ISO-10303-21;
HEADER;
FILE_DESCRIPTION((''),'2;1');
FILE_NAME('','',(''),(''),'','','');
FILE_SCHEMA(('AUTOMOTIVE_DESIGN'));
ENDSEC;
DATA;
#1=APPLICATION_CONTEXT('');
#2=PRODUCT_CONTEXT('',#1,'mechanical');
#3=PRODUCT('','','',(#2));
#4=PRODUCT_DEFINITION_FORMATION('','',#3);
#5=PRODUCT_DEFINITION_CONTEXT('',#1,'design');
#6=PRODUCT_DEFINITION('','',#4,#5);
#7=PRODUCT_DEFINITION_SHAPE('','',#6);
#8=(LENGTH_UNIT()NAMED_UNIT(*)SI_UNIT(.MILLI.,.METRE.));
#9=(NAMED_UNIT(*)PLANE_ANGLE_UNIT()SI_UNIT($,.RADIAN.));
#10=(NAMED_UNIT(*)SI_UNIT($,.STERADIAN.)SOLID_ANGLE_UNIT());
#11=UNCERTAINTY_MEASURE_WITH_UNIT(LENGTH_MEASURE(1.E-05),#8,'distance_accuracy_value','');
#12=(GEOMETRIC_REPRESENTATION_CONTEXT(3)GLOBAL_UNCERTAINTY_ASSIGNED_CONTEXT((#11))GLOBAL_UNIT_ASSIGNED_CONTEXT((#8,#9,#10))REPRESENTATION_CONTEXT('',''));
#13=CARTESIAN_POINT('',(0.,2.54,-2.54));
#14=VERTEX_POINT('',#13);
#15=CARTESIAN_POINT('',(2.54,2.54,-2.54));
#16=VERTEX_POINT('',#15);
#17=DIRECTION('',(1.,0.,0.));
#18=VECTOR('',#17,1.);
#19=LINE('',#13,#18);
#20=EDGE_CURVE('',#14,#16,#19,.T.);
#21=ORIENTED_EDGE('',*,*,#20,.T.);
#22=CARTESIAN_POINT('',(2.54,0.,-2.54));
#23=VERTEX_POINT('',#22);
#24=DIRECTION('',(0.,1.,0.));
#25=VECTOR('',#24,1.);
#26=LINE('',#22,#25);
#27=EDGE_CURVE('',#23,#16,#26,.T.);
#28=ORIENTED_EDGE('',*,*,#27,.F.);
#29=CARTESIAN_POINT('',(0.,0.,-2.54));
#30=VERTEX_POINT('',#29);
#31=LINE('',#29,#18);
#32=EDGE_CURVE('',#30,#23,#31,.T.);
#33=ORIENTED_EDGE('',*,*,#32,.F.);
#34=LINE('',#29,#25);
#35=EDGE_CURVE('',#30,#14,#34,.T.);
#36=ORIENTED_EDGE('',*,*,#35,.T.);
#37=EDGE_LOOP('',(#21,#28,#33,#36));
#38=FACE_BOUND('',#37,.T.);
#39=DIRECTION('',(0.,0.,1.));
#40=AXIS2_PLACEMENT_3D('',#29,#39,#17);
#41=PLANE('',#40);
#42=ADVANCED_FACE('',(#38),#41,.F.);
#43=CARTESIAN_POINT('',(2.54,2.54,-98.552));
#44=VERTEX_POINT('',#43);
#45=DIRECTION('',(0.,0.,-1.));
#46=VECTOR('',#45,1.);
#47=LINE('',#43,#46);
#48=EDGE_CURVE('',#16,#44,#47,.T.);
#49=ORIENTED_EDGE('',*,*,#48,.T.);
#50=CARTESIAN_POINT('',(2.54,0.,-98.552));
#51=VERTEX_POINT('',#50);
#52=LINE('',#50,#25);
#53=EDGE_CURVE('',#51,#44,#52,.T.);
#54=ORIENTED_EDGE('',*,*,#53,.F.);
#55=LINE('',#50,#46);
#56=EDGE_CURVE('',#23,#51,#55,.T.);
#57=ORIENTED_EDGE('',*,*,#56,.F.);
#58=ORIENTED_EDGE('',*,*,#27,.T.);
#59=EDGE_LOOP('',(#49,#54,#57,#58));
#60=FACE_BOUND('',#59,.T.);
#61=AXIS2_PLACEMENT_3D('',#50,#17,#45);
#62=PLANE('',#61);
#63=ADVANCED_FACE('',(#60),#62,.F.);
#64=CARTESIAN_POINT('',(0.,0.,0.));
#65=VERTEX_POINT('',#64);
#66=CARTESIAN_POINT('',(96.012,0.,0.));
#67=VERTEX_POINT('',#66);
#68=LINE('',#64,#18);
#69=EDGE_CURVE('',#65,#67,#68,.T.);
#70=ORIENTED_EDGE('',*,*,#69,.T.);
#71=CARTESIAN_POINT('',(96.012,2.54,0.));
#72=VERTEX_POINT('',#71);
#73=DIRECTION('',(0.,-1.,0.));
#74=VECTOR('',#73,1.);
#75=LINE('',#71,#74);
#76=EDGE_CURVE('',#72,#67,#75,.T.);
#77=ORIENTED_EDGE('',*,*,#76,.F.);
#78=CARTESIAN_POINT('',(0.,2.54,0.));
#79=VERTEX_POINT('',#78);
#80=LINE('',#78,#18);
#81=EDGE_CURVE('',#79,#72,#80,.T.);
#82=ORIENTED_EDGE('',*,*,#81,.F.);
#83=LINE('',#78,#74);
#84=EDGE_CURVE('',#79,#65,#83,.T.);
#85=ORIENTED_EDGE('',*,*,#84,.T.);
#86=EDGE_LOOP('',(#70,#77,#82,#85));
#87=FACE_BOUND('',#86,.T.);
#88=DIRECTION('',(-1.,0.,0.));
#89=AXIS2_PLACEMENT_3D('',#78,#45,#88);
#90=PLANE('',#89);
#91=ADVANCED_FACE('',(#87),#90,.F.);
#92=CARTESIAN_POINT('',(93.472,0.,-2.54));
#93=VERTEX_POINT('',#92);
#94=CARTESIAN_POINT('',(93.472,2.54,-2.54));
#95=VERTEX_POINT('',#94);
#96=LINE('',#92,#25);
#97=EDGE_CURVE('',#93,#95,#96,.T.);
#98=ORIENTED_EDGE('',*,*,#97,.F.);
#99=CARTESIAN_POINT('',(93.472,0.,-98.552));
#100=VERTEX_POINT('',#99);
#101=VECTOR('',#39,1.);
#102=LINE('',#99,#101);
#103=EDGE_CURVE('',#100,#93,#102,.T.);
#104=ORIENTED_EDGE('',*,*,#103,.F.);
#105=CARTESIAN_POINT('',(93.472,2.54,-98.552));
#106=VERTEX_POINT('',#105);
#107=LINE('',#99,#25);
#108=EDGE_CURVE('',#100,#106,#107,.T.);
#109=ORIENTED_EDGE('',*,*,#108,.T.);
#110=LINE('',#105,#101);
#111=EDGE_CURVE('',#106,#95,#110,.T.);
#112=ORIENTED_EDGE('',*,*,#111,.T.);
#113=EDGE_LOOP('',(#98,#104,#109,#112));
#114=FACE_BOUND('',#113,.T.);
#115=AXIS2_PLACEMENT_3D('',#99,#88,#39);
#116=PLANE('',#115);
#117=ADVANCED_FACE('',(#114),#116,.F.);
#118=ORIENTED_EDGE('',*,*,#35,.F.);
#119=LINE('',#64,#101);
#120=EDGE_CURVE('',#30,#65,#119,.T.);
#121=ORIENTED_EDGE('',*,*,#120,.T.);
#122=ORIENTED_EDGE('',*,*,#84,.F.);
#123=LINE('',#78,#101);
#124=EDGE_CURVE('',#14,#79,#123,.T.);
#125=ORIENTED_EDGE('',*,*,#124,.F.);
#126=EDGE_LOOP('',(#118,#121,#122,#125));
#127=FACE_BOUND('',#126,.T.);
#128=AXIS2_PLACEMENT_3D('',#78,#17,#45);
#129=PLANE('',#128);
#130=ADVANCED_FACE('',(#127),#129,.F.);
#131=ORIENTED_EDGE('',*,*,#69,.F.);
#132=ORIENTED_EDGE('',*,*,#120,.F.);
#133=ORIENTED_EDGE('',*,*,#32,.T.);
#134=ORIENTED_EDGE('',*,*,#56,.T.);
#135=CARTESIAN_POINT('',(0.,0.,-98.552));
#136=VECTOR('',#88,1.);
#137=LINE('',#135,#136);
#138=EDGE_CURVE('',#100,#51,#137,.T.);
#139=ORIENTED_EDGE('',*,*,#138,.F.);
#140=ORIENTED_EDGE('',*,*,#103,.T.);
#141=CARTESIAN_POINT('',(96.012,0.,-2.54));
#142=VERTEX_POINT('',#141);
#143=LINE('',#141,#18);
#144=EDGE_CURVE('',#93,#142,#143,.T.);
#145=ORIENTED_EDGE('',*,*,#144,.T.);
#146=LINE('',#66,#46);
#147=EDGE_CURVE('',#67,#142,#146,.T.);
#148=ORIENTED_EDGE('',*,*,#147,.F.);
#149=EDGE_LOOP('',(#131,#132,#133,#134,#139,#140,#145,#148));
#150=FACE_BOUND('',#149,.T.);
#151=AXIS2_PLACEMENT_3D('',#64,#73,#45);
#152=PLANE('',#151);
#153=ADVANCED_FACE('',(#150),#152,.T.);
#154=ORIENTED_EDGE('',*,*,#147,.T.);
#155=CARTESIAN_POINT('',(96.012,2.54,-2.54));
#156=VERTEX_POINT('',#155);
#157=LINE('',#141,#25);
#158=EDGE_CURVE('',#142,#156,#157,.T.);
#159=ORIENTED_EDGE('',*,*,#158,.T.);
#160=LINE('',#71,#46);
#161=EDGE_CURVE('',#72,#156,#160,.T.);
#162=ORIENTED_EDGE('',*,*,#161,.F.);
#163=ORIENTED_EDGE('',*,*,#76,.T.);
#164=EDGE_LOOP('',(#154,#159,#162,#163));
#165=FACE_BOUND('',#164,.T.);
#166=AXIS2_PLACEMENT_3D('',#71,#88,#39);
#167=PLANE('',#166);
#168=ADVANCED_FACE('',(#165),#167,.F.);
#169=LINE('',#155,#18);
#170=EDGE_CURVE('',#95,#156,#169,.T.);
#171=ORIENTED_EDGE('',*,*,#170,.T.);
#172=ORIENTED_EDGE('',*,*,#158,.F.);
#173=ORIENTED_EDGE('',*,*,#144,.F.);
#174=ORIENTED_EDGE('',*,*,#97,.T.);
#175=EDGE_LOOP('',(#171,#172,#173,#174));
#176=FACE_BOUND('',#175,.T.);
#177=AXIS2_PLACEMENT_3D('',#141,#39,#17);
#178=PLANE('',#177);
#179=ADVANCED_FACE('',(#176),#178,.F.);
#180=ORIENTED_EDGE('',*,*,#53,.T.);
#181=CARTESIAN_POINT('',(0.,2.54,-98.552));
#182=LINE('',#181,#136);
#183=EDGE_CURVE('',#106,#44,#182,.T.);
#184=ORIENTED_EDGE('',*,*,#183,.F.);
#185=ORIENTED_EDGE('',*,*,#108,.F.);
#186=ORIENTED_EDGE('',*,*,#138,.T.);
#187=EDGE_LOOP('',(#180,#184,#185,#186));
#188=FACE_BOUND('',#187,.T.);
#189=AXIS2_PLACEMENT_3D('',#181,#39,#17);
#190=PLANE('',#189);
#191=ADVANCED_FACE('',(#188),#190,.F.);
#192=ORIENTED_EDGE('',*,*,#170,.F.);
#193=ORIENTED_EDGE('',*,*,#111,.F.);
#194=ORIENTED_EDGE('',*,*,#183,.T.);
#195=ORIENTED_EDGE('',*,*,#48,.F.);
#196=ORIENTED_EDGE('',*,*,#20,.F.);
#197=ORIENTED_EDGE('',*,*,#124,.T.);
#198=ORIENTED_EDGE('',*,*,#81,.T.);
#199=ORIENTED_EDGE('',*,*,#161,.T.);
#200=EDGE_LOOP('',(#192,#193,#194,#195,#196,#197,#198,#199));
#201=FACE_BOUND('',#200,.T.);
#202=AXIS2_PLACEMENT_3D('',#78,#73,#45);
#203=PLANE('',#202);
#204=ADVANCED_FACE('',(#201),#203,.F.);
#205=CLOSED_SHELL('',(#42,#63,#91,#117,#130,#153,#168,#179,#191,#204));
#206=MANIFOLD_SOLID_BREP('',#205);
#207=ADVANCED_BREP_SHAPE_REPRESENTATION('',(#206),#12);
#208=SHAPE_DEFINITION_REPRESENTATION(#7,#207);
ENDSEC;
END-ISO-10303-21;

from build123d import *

# Parameters (mm, degrees)
SKETCH1_W           = 96.012
SKETCH1_H           = 98.552
BOSS_EXTRUDE1_DEPTH = 2.54
SKETCH2_W           = 2.54
SKETCH2_H           = 96.012
CUT_EXTRUDE1_DEPTH  = 2.54


with BuildPart() as part:
    # Sketch1 → Boss-Extrude1 (new body)
    with BuildSketch(Plane(origin=(0, 0, 0), x_dir=(1, 0, 0), z_dir=(0, 1, 0))):
        with Locations((48.006, 49.276)):
            Rectangle(SKETCH1_W, SKETCH1_H)
    extrude(amount=BOSS_EXTRUDE1_DEPTH)

    # Sketch2 → Cut-Extrude1 (cut)
    with BuildSketch(Plane(origin=(0, 2.54, 0), x_dir=(1, 0, 0), z_dir=(0, 1, 0))):
        with Locations((1.27, 50.546)):
            Rectangle(SKETCH2_W, SKETCH2_H)
        with Locations((94.742, 50.546)):
            Rectangle(SKETCH2_W, SKETCH2_H)
    extrude(amount=-CUT_EXTRUDE1_DEPTH, mode=Mode.SUBTRACT)


solid = part.part
